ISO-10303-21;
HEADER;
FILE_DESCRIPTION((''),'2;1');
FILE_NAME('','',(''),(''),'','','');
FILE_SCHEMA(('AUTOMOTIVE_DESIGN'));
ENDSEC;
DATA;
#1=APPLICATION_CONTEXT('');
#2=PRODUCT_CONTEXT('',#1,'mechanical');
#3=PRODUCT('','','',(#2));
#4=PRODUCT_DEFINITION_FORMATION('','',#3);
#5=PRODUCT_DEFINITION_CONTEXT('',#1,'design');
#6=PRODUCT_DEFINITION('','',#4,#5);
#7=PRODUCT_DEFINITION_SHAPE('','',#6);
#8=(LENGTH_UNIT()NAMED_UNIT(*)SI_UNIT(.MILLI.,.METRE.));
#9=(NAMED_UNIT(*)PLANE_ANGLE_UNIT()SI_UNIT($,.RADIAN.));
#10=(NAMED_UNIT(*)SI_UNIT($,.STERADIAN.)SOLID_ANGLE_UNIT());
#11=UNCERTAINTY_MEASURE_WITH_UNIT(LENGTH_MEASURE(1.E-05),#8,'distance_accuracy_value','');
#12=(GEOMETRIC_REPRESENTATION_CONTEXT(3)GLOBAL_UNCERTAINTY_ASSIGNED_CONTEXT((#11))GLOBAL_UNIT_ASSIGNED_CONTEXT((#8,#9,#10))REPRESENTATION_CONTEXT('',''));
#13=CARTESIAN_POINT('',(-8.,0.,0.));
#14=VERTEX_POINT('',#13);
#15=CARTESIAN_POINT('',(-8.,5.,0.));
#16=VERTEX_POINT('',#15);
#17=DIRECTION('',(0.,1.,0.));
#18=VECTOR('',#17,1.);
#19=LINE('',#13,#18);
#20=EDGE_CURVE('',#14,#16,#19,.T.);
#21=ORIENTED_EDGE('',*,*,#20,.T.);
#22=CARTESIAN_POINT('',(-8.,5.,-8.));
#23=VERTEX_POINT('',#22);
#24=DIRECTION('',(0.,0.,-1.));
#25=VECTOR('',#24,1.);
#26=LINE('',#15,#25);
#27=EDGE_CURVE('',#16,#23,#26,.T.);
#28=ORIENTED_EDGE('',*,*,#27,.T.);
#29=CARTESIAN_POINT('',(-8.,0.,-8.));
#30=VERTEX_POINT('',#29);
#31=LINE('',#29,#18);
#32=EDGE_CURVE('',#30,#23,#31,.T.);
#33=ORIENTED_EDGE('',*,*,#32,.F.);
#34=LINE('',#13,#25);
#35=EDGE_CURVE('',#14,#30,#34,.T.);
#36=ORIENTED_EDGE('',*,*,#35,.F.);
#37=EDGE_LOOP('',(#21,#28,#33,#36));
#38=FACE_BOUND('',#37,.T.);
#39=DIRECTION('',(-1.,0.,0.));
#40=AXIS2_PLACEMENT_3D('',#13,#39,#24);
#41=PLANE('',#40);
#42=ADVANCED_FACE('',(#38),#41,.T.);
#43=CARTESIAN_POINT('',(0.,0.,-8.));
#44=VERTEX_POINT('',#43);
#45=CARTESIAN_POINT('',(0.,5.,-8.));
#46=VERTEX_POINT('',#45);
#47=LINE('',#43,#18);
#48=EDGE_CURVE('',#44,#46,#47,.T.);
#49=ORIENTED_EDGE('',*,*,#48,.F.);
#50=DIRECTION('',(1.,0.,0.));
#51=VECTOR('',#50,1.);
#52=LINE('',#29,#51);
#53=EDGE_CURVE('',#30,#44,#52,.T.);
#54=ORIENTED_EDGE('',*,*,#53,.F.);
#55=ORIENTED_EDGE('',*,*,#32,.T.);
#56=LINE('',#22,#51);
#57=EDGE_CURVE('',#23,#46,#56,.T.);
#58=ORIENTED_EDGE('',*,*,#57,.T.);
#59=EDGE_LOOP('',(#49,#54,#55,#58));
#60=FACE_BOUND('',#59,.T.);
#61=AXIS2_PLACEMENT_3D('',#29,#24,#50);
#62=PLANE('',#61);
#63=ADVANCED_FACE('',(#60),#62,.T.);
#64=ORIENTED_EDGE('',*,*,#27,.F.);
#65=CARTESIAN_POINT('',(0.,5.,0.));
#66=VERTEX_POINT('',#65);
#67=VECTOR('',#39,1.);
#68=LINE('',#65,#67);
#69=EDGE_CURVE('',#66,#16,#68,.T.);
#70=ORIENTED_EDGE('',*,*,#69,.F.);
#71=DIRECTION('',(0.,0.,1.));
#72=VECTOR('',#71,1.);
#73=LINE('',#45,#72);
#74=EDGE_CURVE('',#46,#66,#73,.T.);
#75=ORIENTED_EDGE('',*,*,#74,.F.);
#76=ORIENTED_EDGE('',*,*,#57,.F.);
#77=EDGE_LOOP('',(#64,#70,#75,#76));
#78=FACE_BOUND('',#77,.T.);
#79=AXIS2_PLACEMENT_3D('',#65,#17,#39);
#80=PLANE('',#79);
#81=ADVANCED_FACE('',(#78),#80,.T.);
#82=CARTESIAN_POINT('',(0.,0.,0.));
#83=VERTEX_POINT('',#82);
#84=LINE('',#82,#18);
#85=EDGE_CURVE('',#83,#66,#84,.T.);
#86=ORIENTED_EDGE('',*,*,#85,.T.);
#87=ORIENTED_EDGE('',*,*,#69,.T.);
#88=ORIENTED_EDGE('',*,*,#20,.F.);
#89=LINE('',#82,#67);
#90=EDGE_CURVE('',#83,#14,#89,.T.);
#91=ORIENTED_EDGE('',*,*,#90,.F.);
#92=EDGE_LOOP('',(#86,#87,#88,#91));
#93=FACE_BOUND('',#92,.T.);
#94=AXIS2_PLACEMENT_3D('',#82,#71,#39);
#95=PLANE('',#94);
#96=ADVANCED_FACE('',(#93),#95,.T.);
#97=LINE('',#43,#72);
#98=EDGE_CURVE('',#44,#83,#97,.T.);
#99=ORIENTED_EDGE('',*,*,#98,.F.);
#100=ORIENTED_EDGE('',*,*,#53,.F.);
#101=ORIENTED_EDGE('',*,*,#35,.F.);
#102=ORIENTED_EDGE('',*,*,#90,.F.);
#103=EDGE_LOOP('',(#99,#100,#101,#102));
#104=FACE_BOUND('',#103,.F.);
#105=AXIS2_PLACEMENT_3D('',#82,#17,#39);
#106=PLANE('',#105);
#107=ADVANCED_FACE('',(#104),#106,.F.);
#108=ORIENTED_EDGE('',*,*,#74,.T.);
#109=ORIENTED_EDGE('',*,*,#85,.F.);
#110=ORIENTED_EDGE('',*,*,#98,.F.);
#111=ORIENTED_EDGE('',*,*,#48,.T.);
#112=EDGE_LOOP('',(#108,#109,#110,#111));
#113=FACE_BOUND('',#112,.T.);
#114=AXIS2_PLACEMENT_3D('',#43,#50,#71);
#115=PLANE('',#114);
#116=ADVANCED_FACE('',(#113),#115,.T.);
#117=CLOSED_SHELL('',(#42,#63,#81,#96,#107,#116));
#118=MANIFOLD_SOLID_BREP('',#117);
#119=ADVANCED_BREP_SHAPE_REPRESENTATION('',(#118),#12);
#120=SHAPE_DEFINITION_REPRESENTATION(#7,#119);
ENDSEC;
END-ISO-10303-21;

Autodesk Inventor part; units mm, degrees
ref_plane "YZ Plane" through (0, 0, 0) normal (1, 0, 0) x (0, 1, 0)
ref_plane "XZ Plane" through (0, 0, 0) normal (0, 1, 0) x (-1, 0, 0)
ref_plane "XY Plane" through (0, 0, 0) normal (0, 0, 1) x (1, 0, 0)
sketch "Sketch1" plane through (0, 0, 0) normal (0, 1, 0) x (-1, 0, 0)
  line L0 (0, 0) -> (8, 0)
  line L1 (8, 0) -> (8, -8)
  line L2 (8, -8) -> (0, -8)
  line L3 (0, -8) -> (0, 0)
  dimension "d0" = 8
  dimension "d1" = 8
extrude "Extrusion1" add sketch "Sketch1" along normal blind 5
properties part number "Cam_SD_chip"
